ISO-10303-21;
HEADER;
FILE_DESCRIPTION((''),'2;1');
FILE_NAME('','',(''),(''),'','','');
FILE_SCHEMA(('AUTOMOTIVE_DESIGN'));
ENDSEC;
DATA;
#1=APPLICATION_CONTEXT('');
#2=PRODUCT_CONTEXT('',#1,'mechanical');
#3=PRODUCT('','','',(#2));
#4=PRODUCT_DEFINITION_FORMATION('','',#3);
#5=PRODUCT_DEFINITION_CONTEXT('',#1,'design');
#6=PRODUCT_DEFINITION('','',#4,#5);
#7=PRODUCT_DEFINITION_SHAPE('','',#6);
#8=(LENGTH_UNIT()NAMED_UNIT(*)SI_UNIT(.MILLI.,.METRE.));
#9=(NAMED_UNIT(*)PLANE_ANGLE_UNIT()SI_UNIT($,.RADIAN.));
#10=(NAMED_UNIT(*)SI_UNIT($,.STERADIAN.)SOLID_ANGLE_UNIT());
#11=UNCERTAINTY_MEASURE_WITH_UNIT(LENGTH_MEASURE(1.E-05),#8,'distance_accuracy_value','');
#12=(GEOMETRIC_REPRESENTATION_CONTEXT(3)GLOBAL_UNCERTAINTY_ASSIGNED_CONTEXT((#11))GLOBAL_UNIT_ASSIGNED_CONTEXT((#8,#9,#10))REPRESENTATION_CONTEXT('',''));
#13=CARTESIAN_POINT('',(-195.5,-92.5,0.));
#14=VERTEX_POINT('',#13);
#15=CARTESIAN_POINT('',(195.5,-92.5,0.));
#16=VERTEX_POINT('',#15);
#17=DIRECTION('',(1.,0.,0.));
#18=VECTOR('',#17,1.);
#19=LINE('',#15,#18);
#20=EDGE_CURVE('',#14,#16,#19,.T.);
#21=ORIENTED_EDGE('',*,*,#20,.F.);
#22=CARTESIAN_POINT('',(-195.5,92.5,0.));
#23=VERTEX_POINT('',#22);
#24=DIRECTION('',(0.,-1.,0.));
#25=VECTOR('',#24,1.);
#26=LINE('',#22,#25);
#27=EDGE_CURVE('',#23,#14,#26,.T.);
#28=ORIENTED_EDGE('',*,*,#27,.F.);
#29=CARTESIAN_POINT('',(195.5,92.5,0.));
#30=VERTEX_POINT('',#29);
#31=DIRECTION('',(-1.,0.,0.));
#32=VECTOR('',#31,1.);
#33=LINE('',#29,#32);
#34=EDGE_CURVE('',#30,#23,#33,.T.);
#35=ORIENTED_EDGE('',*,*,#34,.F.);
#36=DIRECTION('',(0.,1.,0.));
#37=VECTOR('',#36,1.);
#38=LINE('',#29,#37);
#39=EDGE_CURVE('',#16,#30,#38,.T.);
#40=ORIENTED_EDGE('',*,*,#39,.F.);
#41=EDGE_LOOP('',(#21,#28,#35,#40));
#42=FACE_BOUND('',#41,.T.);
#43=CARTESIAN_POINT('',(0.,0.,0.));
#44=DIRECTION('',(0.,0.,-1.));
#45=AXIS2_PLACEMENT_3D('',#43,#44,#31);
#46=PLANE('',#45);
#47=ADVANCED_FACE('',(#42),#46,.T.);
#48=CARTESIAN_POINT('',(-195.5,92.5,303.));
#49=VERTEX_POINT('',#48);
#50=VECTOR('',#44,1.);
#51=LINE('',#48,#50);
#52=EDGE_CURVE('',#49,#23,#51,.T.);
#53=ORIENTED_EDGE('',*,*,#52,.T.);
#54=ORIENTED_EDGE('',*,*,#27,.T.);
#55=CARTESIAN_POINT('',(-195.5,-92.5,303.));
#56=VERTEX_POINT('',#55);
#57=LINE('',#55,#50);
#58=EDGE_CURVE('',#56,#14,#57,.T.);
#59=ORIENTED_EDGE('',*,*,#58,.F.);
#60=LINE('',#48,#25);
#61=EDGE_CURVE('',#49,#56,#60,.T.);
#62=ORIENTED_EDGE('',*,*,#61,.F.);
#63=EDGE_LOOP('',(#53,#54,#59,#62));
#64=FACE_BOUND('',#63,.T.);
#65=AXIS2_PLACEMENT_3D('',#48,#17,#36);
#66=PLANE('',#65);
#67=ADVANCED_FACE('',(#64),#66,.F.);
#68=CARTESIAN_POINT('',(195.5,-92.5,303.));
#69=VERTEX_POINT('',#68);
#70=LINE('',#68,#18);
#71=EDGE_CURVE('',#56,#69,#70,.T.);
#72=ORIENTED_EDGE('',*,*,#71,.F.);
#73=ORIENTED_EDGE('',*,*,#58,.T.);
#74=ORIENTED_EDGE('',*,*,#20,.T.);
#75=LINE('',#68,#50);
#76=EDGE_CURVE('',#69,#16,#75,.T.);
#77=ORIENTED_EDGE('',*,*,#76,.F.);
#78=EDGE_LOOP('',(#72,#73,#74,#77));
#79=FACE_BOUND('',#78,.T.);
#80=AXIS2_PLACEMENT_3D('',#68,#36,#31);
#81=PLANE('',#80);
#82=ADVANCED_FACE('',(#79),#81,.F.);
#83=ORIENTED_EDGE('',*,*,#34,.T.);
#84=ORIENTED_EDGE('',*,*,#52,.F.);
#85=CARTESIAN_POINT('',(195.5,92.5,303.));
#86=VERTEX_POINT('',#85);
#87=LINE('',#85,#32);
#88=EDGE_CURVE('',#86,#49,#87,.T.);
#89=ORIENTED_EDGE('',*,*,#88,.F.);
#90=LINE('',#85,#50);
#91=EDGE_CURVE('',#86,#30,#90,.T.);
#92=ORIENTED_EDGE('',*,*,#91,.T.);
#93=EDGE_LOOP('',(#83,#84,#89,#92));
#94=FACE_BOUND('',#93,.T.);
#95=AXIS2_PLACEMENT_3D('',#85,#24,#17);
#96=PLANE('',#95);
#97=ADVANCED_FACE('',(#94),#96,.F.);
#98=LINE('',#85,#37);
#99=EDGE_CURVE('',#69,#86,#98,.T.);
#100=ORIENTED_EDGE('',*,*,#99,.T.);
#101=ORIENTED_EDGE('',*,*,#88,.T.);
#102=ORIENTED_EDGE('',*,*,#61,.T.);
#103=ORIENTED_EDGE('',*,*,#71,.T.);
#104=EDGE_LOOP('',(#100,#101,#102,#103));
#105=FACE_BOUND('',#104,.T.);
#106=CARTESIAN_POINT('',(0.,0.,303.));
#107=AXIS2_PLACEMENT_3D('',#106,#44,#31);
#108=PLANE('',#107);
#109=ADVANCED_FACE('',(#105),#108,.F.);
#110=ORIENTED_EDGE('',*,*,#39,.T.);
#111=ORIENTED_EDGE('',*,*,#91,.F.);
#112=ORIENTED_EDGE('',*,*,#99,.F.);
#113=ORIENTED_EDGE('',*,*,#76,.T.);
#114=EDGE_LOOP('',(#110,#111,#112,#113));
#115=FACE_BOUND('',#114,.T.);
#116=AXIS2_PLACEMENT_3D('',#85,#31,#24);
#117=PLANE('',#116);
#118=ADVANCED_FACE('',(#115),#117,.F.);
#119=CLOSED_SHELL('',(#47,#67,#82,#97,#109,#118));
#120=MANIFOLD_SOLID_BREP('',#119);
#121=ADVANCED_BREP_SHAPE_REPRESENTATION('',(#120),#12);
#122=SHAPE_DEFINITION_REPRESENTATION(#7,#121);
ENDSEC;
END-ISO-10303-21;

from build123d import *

# Parameters (mm, degrees)
SKETCH_1_W      = 391
SKETCH_1_H      = 185
EXTRUDE_1_DEPTH = 303


with BuildPart() as part:
    # 草图1 → 凸台-拉伸1 (new body)
    with BuildSketch(Plane.XY):
        Rectangle(SKETCH_1_W, SKETCH_1_H)
    extrude(amount=EXTRUDE_1_DEPTH)


solid = part.part
